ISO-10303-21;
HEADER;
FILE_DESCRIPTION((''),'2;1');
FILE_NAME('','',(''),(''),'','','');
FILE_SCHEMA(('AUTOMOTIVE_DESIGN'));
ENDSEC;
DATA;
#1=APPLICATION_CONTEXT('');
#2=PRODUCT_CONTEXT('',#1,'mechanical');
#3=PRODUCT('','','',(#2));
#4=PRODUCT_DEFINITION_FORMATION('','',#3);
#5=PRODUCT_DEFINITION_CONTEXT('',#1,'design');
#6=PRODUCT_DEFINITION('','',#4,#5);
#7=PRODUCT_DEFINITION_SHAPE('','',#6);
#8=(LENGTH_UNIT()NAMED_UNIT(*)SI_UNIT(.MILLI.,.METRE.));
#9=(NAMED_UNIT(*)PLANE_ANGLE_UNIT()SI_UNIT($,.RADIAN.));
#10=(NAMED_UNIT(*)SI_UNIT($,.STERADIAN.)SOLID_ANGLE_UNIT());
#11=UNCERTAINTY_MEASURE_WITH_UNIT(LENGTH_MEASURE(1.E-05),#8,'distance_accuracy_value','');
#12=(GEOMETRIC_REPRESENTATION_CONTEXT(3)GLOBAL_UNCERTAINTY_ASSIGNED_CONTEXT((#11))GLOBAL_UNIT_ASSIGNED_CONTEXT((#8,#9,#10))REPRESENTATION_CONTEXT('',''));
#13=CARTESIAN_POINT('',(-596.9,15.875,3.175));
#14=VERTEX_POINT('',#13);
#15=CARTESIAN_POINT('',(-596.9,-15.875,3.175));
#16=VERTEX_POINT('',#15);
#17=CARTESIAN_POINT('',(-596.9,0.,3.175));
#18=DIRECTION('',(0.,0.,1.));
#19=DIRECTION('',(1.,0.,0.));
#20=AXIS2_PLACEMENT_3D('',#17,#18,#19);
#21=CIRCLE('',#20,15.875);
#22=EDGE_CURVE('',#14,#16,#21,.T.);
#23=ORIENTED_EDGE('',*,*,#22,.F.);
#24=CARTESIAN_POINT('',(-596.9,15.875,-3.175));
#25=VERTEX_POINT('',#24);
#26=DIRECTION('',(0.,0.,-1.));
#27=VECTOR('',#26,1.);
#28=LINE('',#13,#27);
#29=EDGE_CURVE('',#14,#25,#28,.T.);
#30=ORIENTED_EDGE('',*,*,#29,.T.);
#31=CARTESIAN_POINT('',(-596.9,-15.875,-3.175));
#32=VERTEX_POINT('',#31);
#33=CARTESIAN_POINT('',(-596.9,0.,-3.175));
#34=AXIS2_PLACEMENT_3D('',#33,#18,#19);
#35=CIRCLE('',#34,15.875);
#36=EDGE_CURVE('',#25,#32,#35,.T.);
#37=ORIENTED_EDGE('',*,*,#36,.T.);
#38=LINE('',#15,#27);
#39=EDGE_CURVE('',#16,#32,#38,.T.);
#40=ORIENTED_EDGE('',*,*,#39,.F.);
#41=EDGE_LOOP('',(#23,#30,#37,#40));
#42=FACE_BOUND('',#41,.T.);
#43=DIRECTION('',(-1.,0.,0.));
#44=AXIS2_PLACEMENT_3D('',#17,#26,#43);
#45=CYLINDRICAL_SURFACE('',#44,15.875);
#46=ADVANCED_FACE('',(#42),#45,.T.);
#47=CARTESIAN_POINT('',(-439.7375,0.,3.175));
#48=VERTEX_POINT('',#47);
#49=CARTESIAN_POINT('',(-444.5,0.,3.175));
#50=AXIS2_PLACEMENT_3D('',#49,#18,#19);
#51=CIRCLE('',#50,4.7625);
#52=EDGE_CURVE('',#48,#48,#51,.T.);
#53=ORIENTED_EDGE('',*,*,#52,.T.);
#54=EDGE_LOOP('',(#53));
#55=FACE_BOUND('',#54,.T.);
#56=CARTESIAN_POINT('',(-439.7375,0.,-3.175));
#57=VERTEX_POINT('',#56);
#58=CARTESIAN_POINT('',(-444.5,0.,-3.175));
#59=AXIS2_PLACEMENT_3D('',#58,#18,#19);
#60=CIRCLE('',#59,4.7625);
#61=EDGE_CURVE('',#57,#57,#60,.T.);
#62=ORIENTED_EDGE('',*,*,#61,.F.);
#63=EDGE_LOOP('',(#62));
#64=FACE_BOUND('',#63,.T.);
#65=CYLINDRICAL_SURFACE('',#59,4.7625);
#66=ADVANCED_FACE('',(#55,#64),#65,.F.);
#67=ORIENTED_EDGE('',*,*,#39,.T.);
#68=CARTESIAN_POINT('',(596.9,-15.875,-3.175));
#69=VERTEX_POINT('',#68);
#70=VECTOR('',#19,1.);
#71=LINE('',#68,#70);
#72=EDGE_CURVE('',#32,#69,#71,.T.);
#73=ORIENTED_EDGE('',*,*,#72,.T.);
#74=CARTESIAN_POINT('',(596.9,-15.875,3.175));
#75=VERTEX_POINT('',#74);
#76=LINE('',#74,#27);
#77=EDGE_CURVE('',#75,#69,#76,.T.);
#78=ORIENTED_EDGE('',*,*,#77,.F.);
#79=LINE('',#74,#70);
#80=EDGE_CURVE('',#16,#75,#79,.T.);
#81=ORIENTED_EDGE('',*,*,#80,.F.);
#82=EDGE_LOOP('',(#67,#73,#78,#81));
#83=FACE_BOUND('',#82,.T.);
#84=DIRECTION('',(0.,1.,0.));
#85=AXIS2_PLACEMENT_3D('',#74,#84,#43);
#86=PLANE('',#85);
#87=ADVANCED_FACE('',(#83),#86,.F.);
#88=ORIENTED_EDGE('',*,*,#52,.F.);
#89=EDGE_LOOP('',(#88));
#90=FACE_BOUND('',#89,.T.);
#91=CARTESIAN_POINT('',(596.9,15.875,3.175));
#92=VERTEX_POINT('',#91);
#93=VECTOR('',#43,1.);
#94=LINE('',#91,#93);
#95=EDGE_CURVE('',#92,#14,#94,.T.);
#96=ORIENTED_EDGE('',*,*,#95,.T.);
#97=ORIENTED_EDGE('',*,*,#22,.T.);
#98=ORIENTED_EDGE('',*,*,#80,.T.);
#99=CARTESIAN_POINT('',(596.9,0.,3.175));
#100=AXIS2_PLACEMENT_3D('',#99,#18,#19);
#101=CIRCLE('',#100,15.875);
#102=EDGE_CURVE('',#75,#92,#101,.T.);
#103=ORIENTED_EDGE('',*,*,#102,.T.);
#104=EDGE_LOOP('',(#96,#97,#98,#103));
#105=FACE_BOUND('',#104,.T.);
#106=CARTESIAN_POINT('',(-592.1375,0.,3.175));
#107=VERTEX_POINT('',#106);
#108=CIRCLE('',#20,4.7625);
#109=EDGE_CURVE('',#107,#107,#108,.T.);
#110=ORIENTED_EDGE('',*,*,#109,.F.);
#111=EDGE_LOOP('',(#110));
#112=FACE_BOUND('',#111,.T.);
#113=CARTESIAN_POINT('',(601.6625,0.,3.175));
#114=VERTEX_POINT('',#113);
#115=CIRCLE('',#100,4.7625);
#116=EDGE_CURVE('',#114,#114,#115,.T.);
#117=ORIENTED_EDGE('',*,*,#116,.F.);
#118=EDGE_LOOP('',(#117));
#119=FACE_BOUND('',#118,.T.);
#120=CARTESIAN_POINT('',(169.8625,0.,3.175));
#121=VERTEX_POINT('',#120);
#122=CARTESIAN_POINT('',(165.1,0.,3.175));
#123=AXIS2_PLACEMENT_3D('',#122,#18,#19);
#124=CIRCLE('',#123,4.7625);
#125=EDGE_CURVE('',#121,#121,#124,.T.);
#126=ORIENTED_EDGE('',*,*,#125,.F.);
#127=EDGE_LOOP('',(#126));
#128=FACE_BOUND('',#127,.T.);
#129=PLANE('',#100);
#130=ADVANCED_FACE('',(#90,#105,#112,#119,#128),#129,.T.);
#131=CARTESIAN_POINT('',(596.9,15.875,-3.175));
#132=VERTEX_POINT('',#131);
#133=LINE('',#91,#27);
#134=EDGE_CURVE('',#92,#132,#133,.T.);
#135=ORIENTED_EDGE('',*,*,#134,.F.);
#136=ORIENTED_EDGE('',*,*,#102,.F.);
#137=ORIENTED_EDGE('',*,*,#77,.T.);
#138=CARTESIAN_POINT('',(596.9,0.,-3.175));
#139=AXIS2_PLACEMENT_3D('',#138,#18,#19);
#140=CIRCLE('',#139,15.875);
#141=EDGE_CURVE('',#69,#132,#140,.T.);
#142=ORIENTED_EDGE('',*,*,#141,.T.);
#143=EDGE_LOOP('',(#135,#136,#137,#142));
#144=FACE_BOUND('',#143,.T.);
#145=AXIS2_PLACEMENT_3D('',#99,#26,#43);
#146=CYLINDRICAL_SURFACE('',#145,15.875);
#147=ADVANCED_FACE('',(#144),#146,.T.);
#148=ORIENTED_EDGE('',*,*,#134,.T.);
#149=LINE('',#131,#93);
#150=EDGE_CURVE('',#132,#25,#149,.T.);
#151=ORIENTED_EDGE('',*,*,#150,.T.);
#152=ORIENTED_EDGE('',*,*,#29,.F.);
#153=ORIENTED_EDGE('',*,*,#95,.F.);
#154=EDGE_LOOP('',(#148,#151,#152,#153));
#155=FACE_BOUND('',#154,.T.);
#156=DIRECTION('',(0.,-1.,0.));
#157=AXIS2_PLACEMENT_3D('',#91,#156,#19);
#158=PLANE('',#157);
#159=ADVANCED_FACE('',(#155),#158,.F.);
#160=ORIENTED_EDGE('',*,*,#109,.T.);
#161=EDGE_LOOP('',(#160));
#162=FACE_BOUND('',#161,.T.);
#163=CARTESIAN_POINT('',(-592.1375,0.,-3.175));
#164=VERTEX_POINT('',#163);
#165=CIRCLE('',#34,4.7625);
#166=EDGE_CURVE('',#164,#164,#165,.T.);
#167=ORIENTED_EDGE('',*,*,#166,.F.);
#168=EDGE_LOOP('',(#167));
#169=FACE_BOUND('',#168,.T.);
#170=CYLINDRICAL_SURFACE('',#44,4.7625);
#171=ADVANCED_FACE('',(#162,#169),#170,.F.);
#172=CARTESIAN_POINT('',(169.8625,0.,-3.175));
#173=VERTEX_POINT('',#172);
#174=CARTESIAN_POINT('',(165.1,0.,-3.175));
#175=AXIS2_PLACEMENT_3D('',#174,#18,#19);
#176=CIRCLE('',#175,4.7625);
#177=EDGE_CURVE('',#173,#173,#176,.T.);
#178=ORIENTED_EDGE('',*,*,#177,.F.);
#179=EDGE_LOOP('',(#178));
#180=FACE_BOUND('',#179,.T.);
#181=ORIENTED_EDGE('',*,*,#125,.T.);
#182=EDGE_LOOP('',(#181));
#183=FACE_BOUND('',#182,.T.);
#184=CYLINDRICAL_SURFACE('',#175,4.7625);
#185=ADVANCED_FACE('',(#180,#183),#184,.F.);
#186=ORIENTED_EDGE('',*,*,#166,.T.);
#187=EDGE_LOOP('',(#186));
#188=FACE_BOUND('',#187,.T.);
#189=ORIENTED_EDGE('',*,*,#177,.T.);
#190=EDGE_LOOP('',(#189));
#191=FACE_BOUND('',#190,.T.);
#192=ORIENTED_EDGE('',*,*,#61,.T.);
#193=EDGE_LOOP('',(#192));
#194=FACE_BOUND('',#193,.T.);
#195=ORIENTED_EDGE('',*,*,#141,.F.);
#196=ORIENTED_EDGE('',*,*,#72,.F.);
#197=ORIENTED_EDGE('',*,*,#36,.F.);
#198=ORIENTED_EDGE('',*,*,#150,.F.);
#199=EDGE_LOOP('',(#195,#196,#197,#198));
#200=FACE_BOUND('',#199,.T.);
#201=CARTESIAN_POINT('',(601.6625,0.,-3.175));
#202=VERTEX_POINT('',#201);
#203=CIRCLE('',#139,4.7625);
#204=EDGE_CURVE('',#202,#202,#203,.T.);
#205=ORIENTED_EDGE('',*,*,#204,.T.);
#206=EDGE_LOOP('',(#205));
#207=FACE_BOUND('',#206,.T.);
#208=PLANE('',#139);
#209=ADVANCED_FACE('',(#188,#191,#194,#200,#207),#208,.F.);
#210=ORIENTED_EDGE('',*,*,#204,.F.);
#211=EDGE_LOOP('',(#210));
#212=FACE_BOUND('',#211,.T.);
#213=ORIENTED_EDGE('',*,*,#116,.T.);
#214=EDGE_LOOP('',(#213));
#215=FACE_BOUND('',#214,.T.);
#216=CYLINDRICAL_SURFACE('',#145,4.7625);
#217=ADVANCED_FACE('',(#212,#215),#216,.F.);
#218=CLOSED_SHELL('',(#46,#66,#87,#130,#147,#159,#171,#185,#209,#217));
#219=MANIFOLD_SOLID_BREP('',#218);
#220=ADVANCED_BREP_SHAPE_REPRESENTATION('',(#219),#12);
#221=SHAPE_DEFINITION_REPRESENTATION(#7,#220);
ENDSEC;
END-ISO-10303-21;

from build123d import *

# Parameters (mm, degrees)
SKETCH1_R           = 4.7625
BOSS_EXTRUDE1_DEPTH = 3.175
SKETCH2_R           = 4.7625
CUT_EXTRUDE1_DEPTH  = 614.01348986


with BuildPart() as part:
    # Sketch1 → Boss-Extrude1 (new, symmetric)
    with BuildSketch(Plane.XY):
        with BuildLine():
            Line((596.9, -15.875), (-596.9, -15.875))
            ThreePointArc((-596.9, -15.875), (-612.775, 0), (-596.9, 15.875))
            Line((-596.9, 15.875), (596.9, 15.875))
            ThreePointArc((596.9, 15.875), (612.775, 0), (596.9, -15.875))
        make_face()
        with Locations((-596.9, 0)):
            Circle(SKETCH1_R, mode=Mode.SUBTRACT)
        with Locations((596.9, 0)):
            Circle(SKETCH1_R, mode=Mode.SUBTRACT)
    extrude(amount=BOSS_EXTRUDE1_DEPTH, both=True)

    # Sketch2 → Cut-Extrude1 (cut, through all)
    with BuildSketch(Plane.XY.offset(3.175)):
        with Locations((-444.5, 0)):
            Circle(SKETCH2_R)
        with Locations((165.1, 0)):
            Circle(SKETCH2_R)
    extrude(amount=-CUT_EXTRUDE1_DEPTH, mode=Mode.SUBTRACT)


solid = part.part
